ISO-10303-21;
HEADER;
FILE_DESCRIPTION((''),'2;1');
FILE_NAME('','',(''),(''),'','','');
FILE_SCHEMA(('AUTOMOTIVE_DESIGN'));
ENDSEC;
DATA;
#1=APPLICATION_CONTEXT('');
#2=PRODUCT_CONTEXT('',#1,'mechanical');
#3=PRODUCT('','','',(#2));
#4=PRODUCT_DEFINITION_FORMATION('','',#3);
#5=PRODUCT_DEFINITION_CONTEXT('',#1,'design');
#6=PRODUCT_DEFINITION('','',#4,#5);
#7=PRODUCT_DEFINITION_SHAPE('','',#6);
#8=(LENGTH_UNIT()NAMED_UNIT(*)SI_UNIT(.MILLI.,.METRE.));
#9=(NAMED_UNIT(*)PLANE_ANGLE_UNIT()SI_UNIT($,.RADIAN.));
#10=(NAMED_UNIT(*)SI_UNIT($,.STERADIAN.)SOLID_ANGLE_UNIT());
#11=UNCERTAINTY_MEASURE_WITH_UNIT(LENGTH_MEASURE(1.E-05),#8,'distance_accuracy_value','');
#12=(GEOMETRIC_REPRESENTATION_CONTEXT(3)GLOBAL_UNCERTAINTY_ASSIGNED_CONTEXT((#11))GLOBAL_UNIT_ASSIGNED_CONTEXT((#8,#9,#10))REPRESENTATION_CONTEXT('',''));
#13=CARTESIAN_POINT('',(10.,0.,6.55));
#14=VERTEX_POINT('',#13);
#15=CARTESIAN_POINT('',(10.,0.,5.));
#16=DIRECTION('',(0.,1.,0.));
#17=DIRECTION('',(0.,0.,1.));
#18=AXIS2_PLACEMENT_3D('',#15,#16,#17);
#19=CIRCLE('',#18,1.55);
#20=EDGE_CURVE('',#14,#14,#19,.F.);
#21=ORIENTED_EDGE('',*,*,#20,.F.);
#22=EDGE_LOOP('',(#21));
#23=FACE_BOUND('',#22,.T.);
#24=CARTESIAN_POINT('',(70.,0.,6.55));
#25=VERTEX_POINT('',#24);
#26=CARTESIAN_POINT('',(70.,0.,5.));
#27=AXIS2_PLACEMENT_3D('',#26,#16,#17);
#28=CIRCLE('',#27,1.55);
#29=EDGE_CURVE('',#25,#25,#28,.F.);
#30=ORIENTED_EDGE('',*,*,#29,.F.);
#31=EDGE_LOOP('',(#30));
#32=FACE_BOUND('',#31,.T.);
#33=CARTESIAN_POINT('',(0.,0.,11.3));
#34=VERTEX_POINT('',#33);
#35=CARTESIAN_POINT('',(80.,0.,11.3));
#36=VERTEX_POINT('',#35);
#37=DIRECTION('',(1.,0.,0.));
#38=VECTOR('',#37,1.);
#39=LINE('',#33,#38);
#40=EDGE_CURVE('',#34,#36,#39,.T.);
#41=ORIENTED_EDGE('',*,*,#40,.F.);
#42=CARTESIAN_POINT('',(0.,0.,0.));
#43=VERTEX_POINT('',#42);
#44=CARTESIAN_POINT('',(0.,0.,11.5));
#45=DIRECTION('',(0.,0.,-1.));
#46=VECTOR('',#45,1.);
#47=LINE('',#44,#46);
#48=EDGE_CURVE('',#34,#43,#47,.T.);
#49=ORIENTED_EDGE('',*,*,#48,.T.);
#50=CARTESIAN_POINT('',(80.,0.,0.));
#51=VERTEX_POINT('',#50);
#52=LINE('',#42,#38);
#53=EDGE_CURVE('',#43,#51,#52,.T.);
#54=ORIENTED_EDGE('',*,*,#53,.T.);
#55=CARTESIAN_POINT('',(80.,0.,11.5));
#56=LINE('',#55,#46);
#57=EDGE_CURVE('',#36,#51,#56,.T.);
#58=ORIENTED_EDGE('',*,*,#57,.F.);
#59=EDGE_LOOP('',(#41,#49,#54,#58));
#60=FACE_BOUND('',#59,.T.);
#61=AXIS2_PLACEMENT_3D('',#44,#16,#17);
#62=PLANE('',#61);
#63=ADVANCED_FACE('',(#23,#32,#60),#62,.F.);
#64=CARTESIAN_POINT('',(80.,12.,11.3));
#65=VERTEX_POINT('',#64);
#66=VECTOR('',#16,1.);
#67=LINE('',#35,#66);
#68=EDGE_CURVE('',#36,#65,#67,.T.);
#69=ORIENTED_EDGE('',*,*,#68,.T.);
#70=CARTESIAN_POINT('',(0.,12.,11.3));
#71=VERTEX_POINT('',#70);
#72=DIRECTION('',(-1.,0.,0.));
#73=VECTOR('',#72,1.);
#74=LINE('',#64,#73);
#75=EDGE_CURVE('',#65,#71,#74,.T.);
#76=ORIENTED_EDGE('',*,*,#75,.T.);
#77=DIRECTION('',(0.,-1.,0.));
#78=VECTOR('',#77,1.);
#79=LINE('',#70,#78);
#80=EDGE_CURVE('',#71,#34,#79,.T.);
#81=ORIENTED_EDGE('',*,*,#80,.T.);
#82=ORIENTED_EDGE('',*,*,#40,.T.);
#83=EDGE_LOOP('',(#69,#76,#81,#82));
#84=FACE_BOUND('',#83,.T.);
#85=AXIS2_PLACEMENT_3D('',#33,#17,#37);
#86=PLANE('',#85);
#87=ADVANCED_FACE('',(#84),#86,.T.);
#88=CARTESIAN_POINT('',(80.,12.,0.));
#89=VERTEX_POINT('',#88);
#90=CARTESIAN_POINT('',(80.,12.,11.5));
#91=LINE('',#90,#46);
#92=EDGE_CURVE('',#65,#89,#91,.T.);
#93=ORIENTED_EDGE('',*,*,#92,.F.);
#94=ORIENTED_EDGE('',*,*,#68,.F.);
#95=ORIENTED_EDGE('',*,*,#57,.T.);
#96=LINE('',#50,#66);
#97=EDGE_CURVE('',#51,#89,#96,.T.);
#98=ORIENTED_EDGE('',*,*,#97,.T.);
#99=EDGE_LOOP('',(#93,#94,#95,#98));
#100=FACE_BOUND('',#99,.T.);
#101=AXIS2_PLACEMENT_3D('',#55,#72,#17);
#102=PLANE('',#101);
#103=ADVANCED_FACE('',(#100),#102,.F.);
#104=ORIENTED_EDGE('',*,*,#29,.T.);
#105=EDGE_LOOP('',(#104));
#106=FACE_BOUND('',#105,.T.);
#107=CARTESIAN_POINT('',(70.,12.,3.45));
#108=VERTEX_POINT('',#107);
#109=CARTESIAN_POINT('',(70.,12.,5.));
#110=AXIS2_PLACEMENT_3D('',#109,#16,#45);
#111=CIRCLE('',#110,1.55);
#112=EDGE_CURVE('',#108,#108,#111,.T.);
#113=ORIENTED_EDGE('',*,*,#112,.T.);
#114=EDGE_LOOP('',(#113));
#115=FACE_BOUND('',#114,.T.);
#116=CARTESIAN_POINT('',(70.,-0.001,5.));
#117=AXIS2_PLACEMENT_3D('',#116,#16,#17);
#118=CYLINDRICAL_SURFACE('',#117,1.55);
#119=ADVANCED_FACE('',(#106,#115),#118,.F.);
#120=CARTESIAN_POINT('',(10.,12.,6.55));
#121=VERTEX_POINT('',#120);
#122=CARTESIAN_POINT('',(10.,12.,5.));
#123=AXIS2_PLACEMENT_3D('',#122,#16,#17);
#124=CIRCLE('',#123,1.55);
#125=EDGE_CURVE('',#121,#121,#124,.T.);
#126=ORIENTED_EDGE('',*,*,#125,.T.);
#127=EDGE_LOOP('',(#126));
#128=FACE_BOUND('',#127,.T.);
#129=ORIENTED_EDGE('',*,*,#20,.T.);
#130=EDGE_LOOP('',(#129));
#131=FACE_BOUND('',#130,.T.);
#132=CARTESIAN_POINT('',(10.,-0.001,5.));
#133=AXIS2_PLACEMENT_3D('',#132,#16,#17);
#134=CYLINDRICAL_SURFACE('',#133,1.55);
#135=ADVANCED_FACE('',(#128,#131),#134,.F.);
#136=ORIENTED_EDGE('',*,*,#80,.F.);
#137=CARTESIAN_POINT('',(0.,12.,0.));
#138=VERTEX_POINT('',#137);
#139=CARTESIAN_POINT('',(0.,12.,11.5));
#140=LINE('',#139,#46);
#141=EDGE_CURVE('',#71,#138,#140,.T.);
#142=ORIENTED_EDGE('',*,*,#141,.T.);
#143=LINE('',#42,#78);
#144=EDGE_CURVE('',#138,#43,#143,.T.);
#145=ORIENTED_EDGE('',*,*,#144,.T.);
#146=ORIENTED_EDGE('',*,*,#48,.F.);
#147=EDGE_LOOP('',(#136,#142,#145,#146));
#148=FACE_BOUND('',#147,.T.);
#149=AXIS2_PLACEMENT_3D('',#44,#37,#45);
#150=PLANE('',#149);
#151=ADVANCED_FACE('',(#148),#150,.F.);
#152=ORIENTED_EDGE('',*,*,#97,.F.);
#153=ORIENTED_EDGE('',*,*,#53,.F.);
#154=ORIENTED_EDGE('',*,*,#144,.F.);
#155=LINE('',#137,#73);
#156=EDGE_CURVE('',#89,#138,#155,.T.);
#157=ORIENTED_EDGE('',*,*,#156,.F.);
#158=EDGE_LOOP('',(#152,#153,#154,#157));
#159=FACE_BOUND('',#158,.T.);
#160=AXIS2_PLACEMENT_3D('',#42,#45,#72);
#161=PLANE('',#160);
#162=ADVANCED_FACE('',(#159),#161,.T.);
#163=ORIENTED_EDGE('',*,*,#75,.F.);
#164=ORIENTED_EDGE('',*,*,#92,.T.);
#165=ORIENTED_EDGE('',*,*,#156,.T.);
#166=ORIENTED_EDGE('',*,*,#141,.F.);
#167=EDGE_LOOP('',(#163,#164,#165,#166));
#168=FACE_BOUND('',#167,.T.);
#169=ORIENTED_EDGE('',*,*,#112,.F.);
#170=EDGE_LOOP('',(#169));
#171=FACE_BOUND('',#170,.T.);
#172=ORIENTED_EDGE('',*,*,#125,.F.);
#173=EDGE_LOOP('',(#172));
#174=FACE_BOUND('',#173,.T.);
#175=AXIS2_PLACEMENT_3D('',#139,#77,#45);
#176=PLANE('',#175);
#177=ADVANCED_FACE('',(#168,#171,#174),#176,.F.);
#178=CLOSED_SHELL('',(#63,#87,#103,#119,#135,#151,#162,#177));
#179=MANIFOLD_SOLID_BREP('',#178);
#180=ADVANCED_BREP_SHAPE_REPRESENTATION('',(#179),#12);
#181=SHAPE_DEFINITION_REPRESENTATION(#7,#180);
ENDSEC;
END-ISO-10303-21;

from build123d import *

# Parameters (mm, degrees)
SKETCH_1_W          = 80
SKETCH_1_H          = 12
EXTRUDE_1_DEPTH     = 11.5
CUT_EXTRUDE_1_REACH = 83.708
SKETCH_2_R          = 1.55
SKETCH_3_W          = 80
SKETCH_3_H          = 12
CUT_EXTRUDE_2_DEPTH = 0.2


with BuildPart() as part:
    # 草图1 → 凸台-拉伸1 (new body)
    with BuildSketch(Plane.XY):
        with Locations((40, 6)):
            Rectangle(SKETCH_1_W, SKETCH_1_H)
    extrude(amount=EXTRUDE_1_DEPTH)

    # 草图2 → 切除-拉伸1 (cut, up to next)
    with BuildSketch(Plane(origin=(0, 12, 0), x_dir=(1, 0, 0), z_dir=(0, 1, 0)), mode=Mode.PRIVATE) as cut_extrude_1_sk1:
        with Locations(Location((10, -5, 0), (0, 0, 270))):
            Circle(SKETCH_2_R)
    cut_extrude_1_tool1 = extrude(cut_extrude_1_sk1.sketch, amount=-CUT_EXTRUDE_1_REACH, mode=Mode.PRIVATE) & part.part
    # 草图2 → 切除-拉伸1 (cut, up to next)
    with BuildSketch(Plane(origin=(0, 12, 0), x_dir=(1, 0, 0), z_dir=(0, 1, 0)), mode=Mode.PRIVATE) as cut_extrude_1_sk2:
        with Locations(Location((70, -5, 0), (0, 0, 270))):
            Circle(SKETCH_2_R)
    cut_extrude_1_tool2 = extrude(cut_extrude_1_sk2.sketch, amount=-CUT_EXTRUDE_1_REACH, mode=Mode.PRIVATE) & part.part
    add(cut_extrude_1_tool1.solids().sort_by_distance((10, 12, 5))[0], mode=Mode.SUBTRACT)
    add(cut_extrude_1_tool2.solids().sort_by_distance((70, 12, 5))[0], mode=Mode.SUBTRACT)

    # 草图3 → 切除-拉伸2 (cut)
    with BuildSketch(Plane.XY.offset(11.5)):
        with Locations((40, 6)):
            Rectangle(SKETCH_3_W, SKETCH_3_H)
    extrude(amount=-CUT_EXTRUDE_2_DEPTH, mode=Mode.SUBTRACT)


solid = part.part
